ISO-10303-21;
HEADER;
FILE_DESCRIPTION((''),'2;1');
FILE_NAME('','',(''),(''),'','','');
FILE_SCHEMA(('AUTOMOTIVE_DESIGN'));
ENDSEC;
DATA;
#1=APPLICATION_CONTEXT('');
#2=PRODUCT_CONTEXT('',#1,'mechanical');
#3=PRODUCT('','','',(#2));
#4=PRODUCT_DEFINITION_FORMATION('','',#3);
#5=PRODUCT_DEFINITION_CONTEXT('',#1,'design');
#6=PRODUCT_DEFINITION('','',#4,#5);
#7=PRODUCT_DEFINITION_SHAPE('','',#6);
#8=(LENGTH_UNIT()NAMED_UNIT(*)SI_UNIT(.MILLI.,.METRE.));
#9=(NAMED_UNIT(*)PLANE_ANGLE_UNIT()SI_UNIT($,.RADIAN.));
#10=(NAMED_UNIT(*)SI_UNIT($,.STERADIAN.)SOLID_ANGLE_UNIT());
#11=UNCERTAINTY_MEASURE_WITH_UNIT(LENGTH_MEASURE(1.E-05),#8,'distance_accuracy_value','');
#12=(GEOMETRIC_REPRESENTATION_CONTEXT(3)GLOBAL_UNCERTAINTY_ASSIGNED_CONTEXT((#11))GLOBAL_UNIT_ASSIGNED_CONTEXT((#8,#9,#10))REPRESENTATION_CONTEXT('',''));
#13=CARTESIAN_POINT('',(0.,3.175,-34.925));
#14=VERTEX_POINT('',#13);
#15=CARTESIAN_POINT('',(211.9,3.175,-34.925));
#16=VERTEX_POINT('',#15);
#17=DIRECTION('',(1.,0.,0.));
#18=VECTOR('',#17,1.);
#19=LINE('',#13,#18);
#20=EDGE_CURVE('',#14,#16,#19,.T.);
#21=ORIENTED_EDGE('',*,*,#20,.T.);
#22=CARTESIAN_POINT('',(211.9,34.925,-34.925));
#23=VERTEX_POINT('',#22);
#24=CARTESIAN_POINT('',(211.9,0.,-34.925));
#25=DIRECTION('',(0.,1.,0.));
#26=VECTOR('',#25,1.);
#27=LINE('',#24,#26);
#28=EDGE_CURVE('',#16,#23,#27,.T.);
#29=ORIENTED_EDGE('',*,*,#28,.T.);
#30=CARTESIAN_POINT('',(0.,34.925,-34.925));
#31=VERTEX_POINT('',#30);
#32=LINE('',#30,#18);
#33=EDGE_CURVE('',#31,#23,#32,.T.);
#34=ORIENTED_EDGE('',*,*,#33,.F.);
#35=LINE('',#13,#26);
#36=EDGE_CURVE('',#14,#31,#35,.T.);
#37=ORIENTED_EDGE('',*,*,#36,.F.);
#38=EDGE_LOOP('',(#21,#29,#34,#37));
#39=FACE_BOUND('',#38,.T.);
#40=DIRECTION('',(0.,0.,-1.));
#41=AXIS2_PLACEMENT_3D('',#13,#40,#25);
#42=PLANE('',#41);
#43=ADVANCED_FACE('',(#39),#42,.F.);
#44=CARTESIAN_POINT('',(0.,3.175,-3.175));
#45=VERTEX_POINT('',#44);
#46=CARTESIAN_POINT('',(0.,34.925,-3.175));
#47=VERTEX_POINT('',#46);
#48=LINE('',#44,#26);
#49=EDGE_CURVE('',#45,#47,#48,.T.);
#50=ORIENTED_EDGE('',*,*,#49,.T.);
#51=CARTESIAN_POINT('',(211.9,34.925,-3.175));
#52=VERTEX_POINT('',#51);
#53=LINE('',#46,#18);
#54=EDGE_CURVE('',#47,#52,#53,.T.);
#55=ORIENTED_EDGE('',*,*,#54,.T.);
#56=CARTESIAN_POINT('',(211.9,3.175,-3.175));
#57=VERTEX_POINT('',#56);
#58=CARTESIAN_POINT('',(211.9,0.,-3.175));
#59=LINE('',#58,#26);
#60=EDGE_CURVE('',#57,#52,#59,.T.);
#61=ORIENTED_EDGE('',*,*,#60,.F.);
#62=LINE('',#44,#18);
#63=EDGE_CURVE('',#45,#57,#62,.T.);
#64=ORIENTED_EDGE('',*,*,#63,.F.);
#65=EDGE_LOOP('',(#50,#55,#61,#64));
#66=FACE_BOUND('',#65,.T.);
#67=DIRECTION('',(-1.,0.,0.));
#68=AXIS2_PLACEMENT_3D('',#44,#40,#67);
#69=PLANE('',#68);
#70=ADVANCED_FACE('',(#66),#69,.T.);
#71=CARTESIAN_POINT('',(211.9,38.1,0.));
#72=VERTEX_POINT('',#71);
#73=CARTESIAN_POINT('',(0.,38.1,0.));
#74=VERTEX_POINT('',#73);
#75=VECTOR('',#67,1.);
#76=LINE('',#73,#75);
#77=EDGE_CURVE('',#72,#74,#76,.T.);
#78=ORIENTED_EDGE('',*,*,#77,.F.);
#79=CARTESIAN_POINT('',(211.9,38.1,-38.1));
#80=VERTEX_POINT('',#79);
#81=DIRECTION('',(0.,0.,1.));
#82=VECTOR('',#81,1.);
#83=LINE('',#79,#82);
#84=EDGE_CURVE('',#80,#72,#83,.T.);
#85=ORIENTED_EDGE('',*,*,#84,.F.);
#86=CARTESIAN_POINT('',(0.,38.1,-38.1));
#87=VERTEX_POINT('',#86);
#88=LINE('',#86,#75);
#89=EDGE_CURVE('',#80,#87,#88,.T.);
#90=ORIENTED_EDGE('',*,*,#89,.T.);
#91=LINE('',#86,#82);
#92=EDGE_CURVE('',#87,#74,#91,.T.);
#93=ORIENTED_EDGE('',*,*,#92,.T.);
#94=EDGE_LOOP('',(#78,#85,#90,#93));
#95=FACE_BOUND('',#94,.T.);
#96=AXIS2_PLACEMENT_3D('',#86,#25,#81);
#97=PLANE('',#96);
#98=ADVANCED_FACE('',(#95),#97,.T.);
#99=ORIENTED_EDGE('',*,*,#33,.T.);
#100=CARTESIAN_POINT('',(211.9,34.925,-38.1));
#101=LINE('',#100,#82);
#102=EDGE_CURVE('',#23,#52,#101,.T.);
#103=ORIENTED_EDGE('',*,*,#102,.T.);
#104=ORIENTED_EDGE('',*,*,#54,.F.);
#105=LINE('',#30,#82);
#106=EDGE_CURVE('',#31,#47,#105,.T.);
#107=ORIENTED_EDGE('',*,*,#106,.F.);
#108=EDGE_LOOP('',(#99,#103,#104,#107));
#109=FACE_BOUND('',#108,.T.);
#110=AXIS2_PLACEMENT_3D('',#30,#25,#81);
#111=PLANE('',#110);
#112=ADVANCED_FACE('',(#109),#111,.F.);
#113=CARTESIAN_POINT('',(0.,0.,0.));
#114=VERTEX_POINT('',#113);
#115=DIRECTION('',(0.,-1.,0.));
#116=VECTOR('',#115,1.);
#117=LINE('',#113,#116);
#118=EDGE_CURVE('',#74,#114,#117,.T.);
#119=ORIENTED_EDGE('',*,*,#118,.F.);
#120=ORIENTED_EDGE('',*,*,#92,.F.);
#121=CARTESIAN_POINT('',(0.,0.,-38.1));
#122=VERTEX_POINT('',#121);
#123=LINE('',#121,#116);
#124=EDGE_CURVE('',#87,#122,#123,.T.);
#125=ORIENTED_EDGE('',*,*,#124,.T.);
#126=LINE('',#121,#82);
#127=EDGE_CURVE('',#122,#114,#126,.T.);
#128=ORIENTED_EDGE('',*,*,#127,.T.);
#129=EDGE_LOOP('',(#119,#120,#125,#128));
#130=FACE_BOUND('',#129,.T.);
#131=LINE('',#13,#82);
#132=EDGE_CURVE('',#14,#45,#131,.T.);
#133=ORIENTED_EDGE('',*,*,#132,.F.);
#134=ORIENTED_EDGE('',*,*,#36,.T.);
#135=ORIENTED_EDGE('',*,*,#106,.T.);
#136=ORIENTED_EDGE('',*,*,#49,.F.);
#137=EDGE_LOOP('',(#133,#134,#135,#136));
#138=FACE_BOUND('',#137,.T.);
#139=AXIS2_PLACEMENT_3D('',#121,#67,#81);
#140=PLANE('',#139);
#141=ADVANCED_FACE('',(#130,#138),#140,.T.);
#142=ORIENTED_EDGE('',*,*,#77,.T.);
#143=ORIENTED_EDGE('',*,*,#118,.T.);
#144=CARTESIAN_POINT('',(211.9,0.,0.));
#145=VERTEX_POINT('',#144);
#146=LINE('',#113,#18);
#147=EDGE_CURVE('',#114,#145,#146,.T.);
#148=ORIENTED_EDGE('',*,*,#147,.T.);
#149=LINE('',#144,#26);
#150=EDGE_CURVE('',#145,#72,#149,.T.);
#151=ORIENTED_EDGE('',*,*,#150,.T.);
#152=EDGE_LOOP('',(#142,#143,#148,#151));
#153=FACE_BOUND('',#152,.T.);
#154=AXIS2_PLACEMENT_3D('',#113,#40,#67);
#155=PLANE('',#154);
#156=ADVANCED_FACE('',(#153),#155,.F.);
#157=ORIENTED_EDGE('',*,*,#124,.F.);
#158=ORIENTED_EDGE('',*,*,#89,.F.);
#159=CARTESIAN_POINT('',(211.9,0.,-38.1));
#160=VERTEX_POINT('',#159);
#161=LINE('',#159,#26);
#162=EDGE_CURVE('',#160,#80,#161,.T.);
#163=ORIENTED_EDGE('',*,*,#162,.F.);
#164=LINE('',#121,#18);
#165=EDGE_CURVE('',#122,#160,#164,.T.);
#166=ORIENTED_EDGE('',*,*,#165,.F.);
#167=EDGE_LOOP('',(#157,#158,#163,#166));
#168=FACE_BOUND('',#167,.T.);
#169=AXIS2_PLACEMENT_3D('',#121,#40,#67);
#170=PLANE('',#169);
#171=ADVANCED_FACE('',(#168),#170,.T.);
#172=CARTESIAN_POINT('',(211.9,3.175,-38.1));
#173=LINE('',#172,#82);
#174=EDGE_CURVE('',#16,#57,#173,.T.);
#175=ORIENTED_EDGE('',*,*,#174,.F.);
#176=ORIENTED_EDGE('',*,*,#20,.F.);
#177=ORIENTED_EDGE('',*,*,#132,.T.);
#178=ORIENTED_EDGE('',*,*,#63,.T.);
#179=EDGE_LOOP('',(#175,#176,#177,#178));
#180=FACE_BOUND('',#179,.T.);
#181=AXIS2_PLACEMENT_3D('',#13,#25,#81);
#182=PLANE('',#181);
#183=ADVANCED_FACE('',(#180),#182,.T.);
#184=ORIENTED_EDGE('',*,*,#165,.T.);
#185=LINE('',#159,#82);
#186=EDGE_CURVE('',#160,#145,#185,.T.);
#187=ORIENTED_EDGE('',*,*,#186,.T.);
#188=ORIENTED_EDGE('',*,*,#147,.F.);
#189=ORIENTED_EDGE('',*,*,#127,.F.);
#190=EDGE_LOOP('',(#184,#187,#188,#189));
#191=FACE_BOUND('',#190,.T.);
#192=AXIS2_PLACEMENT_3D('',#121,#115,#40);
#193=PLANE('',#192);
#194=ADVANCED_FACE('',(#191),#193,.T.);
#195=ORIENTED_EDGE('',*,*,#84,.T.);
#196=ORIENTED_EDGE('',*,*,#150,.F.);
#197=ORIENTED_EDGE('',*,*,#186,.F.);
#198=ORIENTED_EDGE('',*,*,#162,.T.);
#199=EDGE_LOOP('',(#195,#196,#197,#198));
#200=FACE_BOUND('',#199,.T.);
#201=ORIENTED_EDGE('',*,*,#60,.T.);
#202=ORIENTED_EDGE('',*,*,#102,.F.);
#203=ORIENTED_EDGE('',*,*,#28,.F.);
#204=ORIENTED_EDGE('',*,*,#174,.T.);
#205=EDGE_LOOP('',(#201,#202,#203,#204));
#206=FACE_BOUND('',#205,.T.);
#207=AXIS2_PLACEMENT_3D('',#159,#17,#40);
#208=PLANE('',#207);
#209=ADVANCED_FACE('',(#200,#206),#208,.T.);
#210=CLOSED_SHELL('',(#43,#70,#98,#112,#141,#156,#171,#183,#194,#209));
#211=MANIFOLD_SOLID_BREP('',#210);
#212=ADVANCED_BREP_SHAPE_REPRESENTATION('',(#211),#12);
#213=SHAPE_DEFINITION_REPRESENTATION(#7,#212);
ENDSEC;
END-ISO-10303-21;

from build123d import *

# Parameters (mm, degrees)
SKETCH1_W               = 211.9
SKETCH1_H               = 38.1
BOSS_EXTRUDE1_DEPTH     = 38.1
SKETCH2_W               = 31.75
SKETCH2_H               = 31.75
CUT_EXTRUDE1_DEPTH      = 1
CUT_EXTRUDE1_DEPTH_BACK = 212.9


with BuildPart() as part:
    # Sketch1 → Boss-Extrude1 (new body)
    with BuildSketch(Plane.XY):
        with Locations((105.95, 19.05)):
            Rectangle(SKETCH1_W, SKETCH1_H)
    extrude(amount=-BOSS_EXTRUDE1_DEPTH)

    # Sketch2 → Cut-Extrude1 (cut, two sides)
    with BuildSketch(Plane(origin=(211.9, 0, 0), x_dir=(0, 0, -1), z_dir=(1, 0, 0))) as cut_extrude1_sk:
        with Locations((19.05, 19.05)):
            Rectangle(SKETCH2_W, SKETCH2_H)
    extrude(amount=CUT_EXTRUDE1_DEPTH, mode=Mode.SUBTRACT)
    extrude(cut_extrude1_sk.sketch, amount=-CUT_EXTRUDE1_DEPTH_BACK, mode=Mode.SUBTRACT)


solid = part.part
